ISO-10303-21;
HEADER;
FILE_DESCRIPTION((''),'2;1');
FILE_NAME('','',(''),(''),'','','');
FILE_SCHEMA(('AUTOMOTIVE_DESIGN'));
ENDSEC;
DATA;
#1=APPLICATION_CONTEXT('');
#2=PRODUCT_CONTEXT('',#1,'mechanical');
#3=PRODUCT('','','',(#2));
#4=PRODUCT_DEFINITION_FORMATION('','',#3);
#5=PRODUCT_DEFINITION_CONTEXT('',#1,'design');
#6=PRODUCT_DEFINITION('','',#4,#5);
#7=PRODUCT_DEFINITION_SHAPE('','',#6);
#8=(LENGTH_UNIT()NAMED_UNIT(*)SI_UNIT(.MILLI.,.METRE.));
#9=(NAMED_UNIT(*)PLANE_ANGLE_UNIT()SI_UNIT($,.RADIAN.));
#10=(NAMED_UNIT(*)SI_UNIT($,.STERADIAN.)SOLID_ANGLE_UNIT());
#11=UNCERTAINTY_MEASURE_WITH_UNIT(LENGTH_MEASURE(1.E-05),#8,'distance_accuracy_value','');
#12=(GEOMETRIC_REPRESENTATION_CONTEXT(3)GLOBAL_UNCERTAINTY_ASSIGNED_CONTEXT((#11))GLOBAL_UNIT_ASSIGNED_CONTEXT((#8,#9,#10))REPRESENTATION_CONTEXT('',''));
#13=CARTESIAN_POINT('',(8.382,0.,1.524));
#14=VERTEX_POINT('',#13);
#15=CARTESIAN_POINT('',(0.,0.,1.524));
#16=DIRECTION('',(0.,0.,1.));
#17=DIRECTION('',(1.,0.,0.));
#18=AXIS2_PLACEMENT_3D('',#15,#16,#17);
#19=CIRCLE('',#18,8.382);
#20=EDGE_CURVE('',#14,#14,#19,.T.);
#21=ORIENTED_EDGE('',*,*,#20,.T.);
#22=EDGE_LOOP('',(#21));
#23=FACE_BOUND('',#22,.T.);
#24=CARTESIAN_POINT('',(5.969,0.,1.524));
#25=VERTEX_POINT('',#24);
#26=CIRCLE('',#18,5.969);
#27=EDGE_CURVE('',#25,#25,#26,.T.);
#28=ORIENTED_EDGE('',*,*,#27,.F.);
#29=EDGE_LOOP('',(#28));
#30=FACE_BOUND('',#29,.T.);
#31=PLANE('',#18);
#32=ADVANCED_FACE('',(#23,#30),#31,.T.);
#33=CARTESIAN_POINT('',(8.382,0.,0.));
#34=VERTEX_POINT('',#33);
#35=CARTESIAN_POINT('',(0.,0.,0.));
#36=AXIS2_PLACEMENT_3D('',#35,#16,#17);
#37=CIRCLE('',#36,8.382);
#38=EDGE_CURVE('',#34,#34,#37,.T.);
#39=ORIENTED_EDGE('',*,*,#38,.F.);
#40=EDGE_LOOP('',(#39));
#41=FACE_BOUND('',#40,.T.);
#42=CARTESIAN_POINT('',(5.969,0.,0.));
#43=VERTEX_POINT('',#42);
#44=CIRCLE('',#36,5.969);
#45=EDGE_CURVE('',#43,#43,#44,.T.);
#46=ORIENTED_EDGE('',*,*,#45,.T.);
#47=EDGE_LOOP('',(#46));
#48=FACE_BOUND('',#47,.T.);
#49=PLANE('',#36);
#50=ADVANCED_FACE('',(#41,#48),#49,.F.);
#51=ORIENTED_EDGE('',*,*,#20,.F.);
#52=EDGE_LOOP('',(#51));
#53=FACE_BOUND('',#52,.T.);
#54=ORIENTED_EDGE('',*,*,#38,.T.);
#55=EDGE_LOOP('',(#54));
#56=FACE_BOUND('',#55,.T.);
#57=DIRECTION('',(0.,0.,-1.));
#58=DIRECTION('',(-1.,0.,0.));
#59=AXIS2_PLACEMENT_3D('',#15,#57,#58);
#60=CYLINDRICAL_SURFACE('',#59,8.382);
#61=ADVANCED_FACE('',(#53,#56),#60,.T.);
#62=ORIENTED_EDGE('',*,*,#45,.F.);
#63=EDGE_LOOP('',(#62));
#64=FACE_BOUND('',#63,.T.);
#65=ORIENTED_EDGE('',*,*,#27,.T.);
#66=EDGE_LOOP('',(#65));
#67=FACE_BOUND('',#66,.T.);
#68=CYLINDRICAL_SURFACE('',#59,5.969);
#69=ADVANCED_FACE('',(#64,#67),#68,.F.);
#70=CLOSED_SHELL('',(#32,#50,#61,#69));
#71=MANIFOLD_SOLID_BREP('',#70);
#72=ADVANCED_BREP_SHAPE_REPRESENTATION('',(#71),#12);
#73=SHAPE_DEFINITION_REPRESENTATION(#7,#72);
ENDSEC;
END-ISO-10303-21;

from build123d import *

# Parameters (mm, degrees)
SKETCH1_R          = 8.382
SKETCH1_R_2        = 5.969
BASE_EXTRUDE_DEPTH = 1.524


with BuildPart() as part:
    # Sketch1 → Base-Extrude (new body)
    with BuildSketch(Plane.XY):
        Circle(SKETCH1_R)
        Circle(SKETCH1_R_2, mode=Mode.SUBTRACT)
    extrude(amount=BASE_EXTRUDE_DEPTH)


solid = part.part
